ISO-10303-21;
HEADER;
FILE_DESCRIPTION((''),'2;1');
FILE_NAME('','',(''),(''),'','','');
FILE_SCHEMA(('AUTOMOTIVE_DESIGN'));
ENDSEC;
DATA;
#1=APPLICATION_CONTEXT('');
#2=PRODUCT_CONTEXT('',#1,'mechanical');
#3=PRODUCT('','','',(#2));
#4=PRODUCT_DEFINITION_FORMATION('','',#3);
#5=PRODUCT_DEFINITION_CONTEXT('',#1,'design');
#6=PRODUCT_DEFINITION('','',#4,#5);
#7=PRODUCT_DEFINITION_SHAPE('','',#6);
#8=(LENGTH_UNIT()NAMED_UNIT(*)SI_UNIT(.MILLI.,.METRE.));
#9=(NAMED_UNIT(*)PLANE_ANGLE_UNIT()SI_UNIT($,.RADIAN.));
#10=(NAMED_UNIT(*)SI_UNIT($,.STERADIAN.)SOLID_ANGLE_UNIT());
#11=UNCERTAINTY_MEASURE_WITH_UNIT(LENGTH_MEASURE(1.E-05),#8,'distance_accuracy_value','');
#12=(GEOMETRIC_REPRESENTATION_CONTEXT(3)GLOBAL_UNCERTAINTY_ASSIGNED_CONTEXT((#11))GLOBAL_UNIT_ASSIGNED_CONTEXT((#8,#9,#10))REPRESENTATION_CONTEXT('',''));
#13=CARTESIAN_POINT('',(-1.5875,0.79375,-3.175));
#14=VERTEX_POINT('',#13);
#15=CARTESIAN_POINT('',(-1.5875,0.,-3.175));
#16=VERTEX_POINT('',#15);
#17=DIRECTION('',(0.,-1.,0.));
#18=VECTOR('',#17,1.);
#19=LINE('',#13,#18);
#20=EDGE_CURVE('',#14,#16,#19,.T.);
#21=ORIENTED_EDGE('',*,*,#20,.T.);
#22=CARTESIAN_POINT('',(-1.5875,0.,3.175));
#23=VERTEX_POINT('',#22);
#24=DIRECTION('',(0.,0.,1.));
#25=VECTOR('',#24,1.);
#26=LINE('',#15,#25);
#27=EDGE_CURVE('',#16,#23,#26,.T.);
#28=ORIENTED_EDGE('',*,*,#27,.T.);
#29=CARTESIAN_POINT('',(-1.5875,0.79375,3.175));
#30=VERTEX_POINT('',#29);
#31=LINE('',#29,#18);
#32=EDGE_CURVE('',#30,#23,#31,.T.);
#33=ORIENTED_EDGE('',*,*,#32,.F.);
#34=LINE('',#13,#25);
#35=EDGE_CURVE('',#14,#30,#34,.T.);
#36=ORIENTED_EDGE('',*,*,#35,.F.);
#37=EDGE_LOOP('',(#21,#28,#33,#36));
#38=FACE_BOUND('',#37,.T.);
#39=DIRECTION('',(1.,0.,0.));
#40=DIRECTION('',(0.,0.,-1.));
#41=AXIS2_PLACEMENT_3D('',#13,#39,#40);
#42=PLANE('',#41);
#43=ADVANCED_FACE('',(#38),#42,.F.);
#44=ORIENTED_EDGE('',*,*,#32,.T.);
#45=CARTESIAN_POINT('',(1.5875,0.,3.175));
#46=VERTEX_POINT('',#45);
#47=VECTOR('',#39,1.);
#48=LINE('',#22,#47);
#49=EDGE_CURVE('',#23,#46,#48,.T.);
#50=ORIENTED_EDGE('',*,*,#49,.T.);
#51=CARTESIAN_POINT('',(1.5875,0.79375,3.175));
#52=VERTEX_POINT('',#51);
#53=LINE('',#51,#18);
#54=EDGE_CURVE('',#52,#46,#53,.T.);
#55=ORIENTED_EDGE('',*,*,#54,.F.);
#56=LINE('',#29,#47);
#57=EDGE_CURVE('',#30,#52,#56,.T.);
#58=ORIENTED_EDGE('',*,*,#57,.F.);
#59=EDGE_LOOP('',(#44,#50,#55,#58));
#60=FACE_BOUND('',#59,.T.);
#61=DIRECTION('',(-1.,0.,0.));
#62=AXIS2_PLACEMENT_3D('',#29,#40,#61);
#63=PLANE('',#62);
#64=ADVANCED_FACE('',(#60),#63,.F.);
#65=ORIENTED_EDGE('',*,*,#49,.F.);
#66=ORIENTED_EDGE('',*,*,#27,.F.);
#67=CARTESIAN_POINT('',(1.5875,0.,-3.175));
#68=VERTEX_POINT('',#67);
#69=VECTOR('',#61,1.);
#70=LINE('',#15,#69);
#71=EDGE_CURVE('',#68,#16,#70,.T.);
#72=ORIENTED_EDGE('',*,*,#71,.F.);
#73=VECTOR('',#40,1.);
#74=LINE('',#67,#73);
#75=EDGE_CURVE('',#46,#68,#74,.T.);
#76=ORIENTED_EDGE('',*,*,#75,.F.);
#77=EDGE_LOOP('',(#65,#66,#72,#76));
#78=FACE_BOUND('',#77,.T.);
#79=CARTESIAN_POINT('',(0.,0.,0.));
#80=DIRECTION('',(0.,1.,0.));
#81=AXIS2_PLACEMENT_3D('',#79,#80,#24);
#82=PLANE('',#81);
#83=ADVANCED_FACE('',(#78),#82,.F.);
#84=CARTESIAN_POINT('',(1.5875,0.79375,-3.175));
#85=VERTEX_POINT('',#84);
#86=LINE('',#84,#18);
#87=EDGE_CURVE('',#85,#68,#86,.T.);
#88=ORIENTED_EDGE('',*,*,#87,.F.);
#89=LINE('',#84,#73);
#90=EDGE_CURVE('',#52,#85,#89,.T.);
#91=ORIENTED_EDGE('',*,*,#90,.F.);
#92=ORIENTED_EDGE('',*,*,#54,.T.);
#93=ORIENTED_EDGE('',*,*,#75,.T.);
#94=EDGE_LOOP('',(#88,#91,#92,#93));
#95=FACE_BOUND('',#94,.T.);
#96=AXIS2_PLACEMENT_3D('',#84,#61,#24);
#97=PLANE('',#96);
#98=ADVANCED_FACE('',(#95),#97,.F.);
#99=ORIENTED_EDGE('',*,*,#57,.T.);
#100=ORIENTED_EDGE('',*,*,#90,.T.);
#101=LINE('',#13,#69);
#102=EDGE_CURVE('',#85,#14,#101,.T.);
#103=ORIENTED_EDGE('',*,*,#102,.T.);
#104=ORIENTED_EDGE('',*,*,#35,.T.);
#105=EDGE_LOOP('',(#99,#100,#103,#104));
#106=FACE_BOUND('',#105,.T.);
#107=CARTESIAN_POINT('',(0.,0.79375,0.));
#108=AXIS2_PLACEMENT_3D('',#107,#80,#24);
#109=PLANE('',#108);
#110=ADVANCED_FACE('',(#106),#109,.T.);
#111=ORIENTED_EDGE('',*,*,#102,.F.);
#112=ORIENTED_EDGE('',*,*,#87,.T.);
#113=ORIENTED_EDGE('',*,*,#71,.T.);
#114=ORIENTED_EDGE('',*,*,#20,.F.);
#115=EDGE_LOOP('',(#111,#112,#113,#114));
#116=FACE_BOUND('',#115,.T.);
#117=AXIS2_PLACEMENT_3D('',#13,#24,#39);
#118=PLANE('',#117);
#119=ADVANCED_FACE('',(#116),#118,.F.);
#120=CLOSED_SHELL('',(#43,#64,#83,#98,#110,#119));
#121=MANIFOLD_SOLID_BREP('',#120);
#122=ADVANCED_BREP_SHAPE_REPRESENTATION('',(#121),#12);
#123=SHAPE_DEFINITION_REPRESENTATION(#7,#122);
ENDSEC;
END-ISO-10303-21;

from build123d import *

# Parameters (mm, degrees)
SKETCH1_W           = 3.175
SKETCH1_H           = 6.35
BOSS_EXTRUDE1_DEPTH = 0.79375


with BuildPart() as part:
    # Sketch1 → Boss-Extrude1 (new body)
    with BuildSketch(Plane(origin=(0, 0, 0), x_dir=(1, 0, 0), z_dir=(0, 1, 0))):
        Rectangle(SKETCH1_W, SKETCH1_H)
    extrude(amount=BOSS_EXTRUDE1_DEPTH)


solid = part.part
